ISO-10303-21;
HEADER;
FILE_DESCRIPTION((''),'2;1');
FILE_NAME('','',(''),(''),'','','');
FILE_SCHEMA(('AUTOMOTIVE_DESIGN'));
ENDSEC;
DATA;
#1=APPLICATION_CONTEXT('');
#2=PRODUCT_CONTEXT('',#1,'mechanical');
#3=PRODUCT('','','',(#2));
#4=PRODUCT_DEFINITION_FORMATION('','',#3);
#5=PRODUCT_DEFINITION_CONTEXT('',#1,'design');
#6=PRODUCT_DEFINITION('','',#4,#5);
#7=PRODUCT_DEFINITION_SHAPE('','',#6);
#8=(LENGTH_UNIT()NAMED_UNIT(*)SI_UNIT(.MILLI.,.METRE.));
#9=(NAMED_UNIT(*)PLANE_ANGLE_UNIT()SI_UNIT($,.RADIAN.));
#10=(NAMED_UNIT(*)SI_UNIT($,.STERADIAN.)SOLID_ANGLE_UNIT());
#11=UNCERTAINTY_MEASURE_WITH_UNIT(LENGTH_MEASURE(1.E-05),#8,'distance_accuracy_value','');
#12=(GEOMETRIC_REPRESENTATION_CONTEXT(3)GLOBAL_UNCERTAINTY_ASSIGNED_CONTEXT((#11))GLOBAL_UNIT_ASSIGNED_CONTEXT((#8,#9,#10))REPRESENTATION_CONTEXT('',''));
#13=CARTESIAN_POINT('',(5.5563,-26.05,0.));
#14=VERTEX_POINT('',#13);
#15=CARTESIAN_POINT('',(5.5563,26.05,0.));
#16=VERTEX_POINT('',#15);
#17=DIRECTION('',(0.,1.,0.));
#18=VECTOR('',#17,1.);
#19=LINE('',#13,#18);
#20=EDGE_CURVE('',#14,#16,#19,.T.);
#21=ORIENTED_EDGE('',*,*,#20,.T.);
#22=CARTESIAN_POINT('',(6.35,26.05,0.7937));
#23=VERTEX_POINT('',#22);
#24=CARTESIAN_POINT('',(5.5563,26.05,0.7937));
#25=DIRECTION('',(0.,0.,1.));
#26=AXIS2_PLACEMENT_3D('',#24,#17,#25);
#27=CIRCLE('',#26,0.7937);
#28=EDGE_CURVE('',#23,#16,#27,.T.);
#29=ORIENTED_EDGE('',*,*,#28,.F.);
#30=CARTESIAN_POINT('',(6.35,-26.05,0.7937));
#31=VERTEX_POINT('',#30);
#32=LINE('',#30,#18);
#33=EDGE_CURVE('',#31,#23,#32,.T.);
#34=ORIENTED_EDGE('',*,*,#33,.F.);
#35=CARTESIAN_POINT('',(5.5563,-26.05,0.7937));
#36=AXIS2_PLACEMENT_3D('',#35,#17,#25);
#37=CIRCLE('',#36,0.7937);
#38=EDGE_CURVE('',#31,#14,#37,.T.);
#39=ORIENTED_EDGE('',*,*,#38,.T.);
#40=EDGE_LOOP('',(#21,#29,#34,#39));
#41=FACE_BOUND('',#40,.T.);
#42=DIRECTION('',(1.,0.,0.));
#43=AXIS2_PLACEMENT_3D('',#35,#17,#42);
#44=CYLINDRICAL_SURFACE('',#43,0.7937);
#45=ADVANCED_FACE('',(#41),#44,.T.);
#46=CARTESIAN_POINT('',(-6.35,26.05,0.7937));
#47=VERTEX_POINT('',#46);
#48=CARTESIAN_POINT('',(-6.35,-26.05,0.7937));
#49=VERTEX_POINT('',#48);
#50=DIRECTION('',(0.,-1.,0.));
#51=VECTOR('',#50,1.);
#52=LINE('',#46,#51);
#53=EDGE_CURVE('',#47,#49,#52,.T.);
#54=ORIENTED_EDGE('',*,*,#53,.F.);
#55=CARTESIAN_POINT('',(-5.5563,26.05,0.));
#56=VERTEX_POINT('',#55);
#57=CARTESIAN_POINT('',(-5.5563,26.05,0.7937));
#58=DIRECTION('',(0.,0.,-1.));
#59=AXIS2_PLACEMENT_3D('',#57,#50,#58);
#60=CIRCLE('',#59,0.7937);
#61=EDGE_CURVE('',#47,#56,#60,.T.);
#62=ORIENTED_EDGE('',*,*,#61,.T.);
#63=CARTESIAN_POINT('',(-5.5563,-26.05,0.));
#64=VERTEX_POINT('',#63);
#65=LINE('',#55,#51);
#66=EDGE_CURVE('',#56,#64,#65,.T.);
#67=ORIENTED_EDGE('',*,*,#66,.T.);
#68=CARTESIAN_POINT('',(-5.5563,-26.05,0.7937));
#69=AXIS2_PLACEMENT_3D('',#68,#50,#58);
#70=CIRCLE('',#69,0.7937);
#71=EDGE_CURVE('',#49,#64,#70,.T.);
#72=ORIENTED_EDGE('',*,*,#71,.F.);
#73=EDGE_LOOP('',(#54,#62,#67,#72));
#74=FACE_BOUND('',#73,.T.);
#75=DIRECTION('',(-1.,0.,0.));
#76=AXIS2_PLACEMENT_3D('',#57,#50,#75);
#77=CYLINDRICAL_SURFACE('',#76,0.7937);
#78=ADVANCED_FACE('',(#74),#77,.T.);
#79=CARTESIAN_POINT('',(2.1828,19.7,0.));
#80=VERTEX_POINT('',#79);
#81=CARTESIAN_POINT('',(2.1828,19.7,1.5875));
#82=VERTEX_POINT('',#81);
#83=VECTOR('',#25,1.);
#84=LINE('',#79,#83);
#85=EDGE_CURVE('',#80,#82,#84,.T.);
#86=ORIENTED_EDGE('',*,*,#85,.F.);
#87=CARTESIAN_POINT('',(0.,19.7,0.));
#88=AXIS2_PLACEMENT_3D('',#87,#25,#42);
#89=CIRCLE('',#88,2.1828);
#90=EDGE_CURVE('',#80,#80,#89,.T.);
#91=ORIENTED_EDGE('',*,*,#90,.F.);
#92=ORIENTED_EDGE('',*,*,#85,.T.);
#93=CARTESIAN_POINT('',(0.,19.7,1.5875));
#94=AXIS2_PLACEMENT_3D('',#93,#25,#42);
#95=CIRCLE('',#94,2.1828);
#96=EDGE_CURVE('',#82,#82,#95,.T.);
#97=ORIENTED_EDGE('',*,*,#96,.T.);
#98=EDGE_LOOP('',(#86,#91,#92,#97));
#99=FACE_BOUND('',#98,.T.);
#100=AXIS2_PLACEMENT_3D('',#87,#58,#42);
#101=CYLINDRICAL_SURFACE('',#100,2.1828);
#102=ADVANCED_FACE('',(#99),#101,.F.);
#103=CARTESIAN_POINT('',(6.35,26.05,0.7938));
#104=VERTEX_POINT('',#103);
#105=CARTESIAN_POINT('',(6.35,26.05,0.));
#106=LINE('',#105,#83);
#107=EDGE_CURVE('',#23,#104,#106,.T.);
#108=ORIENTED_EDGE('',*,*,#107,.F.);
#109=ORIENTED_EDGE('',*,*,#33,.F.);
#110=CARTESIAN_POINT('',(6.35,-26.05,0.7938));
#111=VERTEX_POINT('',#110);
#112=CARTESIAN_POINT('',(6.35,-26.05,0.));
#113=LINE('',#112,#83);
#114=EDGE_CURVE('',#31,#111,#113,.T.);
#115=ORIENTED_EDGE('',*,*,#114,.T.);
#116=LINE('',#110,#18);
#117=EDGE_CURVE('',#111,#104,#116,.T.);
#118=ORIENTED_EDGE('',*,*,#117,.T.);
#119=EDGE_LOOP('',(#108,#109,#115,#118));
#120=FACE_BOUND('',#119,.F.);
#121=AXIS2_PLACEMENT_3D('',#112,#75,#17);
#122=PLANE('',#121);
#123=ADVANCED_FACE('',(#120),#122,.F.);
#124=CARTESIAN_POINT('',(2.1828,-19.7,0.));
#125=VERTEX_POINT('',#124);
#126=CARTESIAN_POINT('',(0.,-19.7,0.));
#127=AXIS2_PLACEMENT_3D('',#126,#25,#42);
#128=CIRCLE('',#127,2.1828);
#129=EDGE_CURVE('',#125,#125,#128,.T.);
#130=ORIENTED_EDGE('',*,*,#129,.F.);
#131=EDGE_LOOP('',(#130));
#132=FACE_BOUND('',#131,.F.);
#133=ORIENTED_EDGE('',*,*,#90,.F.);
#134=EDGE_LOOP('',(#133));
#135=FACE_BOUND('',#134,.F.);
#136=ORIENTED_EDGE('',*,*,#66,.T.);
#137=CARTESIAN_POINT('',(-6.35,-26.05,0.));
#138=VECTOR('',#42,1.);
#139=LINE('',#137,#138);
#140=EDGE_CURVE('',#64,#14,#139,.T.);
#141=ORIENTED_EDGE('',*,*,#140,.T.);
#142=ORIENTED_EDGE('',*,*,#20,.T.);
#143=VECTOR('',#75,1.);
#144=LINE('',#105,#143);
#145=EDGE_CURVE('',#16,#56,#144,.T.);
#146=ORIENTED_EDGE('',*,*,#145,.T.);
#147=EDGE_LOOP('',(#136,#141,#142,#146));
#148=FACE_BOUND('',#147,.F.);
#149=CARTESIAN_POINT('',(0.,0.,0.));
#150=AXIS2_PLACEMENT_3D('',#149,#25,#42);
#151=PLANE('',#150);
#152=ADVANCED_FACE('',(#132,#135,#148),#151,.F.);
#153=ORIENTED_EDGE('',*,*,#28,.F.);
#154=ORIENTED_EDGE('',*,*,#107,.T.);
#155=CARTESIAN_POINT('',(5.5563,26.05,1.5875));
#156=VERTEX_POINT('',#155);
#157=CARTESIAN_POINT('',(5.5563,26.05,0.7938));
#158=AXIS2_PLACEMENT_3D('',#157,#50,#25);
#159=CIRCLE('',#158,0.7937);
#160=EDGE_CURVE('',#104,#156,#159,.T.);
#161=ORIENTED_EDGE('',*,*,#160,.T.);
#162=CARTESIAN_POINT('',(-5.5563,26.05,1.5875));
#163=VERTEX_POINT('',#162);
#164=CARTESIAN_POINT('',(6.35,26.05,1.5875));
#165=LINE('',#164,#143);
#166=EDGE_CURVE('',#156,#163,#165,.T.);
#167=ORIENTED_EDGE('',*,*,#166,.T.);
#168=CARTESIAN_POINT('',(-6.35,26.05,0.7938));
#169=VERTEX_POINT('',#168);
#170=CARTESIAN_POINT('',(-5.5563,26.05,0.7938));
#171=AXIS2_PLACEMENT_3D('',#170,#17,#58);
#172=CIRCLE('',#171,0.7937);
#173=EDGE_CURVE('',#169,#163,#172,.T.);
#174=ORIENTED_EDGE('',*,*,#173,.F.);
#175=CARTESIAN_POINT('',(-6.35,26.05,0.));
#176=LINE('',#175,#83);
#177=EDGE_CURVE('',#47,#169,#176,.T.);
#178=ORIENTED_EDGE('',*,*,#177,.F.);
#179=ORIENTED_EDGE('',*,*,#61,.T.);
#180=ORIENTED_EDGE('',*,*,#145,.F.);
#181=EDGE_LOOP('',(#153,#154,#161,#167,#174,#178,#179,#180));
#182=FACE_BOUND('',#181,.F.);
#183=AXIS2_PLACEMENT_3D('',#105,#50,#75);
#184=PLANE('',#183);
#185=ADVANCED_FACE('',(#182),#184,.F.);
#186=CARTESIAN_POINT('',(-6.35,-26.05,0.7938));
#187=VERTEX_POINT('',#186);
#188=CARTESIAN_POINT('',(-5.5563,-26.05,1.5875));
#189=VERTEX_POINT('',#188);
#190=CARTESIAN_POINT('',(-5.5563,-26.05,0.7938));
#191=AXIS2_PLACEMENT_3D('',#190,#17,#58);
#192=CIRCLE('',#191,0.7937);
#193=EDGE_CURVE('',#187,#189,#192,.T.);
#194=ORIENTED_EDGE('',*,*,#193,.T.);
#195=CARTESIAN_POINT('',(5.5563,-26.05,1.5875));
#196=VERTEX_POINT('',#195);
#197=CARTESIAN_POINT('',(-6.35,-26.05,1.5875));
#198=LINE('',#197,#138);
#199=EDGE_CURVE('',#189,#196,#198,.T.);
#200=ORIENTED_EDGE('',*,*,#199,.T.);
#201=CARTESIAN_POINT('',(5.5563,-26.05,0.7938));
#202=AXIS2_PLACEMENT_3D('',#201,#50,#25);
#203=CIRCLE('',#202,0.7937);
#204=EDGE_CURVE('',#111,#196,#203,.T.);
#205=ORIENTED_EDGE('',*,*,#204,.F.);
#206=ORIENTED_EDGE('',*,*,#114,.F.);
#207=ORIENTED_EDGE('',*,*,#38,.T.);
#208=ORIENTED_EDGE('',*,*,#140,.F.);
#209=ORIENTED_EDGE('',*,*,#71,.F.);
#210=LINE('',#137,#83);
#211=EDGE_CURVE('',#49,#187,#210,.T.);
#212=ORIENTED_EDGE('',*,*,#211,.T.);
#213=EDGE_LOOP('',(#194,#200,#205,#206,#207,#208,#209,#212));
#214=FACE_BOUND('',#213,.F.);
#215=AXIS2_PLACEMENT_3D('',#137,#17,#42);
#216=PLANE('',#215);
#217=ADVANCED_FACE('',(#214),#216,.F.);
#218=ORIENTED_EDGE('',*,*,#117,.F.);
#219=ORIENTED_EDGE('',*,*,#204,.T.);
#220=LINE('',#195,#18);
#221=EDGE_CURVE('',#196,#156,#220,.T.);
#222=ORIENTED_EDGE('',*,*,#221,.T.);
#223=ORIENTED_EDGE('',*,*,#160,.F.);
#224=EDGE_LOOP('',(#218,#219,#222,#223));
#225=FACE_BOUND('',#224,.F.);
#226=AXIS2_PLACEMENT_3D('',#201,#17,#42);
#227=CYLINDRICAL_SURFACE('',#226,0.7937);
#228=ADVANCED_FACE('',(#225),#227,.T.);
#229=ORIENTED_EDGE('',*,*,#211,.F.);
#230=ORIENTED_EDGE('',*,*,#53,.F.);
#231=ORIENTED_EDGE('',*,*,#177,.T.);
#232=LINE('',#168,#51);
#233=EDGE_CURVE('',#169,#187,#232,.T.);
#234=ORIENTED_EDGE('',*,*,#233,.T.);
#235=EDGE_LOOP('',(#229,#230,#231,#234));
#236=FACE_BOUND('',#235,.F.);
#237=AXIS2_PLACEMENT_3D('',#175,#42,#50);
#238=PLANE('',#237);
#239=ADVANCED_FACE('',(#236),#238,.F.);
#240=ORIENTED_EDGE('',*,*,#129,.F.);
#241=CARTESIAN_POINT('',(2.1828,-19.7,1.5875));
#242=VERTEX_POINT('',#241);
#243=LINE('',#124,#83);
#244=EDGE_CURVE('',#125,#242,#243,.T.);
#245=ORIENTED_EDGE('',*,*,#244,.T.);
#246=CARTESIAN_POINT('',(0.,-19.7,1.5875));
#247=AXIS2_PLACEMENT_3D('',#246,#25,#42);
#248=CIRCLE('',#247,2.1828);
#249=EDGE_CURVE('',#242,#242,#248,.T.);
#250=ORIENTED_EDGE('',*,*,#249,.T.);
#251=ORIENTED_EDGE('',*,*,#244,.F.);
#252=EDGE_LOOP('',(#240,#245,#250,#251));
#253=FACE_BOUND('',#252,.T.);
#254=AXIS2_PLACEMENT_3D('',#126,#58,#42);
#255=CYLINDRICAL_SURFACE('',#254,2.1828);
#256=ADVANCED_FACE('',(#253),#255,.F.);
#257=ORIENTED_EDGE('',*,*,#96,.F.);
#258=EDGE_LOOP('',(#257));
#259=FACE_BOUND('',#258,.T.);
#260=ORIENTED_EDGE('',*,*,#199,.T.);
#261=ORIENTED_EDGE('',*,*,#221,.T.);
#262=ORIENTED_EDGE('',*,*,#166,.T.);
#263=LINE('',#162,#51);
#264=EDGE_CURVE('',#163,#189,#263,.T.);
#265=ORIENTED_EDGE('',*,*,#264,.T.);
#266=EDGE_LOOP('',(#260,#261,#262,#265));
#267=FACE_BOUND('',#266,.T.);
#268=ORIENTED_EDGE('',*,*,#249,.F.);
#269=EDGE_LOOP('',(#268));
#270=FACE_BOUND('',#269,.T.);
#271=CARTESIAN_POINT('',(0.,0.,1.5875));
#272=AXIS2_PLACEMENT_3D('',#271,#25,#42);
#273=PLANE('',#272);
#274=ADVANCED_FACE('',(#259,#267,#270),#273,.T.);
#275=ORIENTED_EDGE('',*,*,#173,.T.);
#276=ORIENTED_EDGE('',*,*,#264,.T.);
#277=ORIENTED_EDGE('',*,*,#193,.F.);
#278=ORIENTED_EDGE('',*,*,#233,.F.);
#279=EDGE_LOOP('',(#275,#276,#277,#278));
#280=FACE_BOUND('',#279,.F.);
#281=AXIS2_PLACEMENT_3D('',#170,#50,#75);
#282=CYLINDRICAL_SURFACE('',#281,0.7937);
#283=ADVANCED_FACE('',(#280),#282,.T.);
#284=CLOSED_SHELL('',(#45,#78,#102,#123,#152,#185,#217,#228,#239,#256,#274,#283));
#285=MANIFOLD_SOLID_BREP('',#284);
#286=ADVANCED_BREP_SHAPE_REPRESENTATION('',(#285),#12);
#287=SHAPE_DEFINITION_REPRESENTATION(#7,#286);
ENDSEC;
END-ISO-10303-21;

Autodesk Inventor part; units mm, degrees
ref_plane "YZ Plane" through (0, 0, 0) normal (1, 0, 0) x (0, 1, 0)
ref_plane "XZ Plane" through (0, 0, 0) normal (0, 1, 0) x (-1, 0, 0)
ref_plane "XY Plane" through (0, 0, 0) normal (0, 0, 1) x (1, 0, 0)
sketch "Sketch1" plane through (0, 0, 0) normal (0, 0, 1) x (1, 0, 0)
  circle A0 centre (0, 19.7) radius 2.1828
  circle A1 centre (0, -19.7) radius 2.1828
  line L0 (-6.35, -26.05) -> (6.35, -26.05)
  line L1 (6.35, -26.05) -> (6.35, 26.05)
  line L2 (6.35, 26.05) -> (-6.35, 26.05)
  line L3 (-6.35, 26.05) -> (-6.35, -26.05)
  line L4 (-6.35, -26.05) -> (6.35, 26.05) construction
  line L5 (6.35, -26.05) -> (-6.35, 26.05) construction
  point P0 (0, 0)
  dimension "d0" = 4.3656
  dimension "d1" = 4.3656
  dimension "d2" = 19.7
  dimension "d3" = 39.4
  dimension "d4" = 12.7
  dimension "d5" = 6.35
  dimension "d6" = 6.35
  dimension "d7" = 6.35
extrude "Extrusion1" add sketch "Sketch1" along normal blind 1.5875
fillet "Fillet1" radius 0.7937 4 edges at (-6.35, 0, 0) (-6.35, 0, 1.5875) (6.35, 0, 0) (6.35, 0, 1.5875)
properties part number "Part F"
